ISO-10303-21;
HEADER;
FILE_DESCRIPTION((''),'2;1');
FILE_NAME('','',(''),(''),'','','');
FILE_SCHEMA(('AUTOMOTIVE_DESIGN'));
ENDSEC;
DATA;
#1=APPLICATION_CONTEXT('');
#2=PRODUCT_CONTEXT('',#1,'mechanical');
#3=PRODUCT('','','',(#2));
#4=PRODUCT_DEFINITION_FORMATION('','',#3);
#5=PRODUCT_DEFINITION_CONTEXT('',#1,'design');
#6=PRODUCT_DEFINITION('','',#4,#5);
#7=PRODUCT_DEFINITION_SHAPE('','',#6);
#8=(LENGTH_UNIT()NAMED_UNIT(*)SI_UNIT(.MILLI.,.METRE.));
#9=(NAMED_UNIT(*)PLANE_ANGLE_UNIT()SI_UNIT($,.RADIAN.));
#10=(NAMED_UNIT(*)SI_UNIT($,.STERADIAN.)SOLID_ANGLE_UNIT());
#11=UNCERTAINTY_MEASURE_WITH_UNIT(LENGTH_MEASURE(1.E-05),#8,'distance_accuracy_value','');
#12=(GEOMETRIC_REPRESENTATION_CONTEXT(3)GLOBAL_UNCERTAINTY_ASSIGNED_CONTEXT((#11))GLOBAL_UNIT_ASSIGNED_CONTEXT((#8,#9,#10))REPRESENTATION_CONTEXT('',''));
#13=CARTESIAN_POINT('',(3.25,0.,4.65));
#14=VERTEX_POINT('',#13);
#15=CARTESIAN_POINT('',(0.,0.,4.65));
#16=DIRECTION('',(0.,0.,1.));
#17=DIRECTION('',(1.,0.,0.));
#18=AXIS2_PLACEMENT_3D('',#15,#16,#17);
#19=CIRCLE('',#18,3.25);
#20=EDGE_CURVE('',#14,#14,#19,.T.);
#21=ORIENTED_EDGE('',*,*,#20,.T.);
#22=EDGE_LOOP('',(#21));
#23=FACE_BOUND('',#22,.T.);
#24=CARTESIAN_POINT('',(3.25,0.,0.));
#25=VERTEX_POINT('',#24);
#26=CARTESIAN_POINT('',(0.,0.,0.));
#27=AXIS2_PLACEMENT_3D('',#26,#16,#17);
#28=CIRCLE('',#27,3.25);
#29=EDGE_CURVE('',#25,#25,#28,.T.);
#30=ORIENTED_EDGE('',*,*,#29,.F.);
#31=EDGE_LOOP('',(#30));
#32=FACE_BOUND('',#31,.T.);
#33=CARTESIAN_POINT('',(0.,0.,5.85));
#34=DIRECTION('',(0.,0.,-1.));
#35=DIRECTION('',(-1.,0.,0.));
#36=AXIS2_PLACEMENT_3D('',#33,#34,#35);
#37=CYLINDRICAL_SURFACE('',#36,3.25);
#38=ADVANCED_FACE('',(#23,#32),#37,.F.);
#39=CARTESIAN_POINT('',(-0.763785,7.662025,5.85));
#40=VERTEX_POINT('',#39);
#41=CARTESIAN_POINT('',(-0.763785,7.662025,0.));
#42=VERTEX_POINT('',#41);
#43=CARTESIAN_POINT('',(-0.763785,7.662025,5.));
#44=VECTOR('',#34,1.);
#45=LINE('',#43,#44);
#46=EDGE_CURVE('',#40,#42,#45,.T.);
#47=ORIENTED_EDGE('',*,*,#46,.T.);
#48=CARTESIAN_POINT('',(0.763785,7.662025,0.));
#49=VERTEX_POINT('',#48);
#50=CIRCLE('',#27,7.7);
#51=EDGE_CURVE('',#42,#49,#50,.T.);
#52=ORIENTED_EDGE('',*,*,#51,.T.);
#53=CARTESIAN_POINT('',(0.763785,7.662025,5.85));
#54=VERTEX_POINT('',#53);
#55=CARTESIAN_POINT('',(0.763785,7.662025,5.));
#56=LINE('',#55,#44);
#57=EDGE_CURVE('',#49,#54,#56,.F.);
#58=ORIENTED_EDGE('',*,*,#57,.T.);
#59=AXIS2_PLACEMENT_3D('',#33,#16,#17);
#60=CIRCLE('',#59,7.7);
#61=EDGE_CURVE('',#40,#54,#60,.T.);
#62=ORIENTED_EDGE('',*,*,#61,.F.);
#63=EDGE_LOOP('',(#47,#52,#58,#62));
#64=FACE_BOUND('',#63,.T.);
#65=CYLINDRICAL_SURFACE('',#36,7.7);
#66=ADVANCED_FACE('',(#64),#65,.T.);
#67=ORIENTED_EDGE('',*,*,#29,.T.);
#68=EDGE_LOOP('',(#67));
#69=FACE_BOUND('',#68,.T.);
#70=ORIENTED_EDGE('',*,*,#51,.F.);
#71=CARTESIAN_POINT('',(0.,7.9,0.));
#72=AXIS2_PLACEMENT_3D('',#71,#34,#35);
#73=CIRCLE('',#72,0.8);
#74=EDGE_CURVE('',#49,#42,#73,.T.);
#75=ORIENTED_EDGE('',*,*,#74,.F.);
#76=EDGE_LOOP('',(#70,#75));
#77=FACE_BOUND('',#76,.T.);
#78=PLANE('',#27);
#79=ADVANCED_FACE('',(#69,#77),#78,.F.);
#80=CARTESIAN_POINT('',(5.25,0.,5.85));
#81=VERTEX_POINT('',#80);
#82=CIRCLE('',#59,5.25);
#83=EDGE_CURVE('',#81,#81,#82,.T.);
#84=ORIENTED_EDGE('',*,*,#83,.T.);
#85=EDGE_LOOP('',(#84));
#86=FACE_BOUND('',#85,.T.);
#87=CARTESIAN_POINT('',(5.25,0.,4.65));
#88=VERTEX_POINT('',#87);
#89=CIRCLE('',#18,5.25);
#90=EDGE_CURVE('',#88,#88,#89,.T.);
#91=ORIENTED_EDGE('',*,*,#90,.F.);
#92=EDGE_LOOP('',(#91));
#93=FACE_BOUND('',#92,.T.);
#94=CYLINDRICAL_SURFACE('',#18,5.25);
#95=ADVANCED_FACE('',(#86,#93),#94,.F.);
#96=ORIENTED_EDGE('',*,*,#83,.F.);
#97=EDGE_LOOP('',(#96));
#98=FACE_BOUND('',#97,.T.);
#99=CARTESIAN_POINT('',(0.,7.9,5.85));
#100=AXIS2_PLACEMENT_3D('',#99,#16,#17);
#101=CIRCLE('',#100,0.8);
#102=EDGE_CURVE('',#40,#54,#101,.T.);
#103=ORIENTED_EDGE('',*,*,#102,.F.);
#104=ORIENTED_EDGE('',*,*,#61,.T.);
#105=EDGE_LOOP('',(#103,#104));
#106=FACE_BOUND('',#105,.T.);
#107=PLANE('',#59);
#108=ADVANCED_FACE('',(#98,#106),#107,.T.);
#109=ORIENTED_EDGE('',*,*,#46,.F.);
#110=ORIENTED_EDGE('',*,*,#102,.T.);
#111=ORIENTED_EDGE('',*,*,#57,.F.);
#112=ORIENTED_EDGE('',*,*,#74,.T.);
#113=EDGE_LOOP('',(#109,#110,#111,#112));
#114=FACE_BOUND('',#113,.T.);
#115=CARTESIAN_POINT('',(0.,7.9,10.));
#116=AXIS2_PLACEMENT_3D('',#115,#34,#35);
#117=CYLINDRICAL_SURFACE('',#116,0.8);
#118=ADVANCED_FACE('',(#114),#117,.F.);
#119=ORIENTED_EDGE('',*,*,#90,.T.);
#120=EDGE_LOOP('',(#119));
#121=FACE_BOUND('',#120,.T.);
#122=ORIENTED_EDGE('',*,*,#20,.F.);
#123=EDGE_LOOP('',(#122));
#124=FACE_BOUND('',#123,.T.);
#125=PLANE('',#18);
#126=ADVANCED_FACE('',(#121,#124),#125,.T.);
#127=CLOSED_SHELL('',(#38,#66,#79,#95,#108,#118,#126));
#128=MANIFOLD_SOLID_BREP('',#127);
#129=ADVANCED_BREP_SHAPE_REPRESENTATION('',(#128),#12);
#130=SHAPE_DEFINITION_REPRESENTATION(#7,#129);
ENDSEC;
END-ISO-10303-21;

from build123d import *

# Parameters (mm, degrees)
SKETCH1_R           = 7.7
SKETCH1_R_2         = 3.25
BOSS_EXTRUDE1_DEPTH = 5.85
SKETCH2_R           = 5.25
CUT_EXTRUDE1_DEPTH  = 1.2
SKETCH3_R           = 0.8
CUT_EXTRUDE2_DEPTH  = 10


with BuildPart() as part:
    # Sketch1 → Boss-Extrude1 (new body)
    with BuildSketch(Plane.XY):
        Circle(SKETCH1_R)
        Circle(SKETCH1_R_2, mode=Mode.SUBTRACT)
    extrude(amount=BOSS_EXTRUDE1_DEPTH)

    # Sketch2 → Cut-Extrude1 (cut)
    with BuildSketch(Plane.XY.offset(5.85)):
        Circle(SKETCH2_R)
    extrude(amount=-CUT_EXTRUDE1_DEPTH, mode=Mode.SUBTRACT)

    # Sketch3 → Cut-Extrude2 (cut)
    with BuildSketch(Plane(origin=(0, 0, 0), x_dir=(-1, 0, 0), z_dir=(0, 0, -1))):
        with Locations((0, 7.9)):
            Circle(SKETCH3_R)
    extrude(amount=-CUT_EXTRUDE2_DEPTH, mode=Mode.SUBTRACT)


solid = part.part
